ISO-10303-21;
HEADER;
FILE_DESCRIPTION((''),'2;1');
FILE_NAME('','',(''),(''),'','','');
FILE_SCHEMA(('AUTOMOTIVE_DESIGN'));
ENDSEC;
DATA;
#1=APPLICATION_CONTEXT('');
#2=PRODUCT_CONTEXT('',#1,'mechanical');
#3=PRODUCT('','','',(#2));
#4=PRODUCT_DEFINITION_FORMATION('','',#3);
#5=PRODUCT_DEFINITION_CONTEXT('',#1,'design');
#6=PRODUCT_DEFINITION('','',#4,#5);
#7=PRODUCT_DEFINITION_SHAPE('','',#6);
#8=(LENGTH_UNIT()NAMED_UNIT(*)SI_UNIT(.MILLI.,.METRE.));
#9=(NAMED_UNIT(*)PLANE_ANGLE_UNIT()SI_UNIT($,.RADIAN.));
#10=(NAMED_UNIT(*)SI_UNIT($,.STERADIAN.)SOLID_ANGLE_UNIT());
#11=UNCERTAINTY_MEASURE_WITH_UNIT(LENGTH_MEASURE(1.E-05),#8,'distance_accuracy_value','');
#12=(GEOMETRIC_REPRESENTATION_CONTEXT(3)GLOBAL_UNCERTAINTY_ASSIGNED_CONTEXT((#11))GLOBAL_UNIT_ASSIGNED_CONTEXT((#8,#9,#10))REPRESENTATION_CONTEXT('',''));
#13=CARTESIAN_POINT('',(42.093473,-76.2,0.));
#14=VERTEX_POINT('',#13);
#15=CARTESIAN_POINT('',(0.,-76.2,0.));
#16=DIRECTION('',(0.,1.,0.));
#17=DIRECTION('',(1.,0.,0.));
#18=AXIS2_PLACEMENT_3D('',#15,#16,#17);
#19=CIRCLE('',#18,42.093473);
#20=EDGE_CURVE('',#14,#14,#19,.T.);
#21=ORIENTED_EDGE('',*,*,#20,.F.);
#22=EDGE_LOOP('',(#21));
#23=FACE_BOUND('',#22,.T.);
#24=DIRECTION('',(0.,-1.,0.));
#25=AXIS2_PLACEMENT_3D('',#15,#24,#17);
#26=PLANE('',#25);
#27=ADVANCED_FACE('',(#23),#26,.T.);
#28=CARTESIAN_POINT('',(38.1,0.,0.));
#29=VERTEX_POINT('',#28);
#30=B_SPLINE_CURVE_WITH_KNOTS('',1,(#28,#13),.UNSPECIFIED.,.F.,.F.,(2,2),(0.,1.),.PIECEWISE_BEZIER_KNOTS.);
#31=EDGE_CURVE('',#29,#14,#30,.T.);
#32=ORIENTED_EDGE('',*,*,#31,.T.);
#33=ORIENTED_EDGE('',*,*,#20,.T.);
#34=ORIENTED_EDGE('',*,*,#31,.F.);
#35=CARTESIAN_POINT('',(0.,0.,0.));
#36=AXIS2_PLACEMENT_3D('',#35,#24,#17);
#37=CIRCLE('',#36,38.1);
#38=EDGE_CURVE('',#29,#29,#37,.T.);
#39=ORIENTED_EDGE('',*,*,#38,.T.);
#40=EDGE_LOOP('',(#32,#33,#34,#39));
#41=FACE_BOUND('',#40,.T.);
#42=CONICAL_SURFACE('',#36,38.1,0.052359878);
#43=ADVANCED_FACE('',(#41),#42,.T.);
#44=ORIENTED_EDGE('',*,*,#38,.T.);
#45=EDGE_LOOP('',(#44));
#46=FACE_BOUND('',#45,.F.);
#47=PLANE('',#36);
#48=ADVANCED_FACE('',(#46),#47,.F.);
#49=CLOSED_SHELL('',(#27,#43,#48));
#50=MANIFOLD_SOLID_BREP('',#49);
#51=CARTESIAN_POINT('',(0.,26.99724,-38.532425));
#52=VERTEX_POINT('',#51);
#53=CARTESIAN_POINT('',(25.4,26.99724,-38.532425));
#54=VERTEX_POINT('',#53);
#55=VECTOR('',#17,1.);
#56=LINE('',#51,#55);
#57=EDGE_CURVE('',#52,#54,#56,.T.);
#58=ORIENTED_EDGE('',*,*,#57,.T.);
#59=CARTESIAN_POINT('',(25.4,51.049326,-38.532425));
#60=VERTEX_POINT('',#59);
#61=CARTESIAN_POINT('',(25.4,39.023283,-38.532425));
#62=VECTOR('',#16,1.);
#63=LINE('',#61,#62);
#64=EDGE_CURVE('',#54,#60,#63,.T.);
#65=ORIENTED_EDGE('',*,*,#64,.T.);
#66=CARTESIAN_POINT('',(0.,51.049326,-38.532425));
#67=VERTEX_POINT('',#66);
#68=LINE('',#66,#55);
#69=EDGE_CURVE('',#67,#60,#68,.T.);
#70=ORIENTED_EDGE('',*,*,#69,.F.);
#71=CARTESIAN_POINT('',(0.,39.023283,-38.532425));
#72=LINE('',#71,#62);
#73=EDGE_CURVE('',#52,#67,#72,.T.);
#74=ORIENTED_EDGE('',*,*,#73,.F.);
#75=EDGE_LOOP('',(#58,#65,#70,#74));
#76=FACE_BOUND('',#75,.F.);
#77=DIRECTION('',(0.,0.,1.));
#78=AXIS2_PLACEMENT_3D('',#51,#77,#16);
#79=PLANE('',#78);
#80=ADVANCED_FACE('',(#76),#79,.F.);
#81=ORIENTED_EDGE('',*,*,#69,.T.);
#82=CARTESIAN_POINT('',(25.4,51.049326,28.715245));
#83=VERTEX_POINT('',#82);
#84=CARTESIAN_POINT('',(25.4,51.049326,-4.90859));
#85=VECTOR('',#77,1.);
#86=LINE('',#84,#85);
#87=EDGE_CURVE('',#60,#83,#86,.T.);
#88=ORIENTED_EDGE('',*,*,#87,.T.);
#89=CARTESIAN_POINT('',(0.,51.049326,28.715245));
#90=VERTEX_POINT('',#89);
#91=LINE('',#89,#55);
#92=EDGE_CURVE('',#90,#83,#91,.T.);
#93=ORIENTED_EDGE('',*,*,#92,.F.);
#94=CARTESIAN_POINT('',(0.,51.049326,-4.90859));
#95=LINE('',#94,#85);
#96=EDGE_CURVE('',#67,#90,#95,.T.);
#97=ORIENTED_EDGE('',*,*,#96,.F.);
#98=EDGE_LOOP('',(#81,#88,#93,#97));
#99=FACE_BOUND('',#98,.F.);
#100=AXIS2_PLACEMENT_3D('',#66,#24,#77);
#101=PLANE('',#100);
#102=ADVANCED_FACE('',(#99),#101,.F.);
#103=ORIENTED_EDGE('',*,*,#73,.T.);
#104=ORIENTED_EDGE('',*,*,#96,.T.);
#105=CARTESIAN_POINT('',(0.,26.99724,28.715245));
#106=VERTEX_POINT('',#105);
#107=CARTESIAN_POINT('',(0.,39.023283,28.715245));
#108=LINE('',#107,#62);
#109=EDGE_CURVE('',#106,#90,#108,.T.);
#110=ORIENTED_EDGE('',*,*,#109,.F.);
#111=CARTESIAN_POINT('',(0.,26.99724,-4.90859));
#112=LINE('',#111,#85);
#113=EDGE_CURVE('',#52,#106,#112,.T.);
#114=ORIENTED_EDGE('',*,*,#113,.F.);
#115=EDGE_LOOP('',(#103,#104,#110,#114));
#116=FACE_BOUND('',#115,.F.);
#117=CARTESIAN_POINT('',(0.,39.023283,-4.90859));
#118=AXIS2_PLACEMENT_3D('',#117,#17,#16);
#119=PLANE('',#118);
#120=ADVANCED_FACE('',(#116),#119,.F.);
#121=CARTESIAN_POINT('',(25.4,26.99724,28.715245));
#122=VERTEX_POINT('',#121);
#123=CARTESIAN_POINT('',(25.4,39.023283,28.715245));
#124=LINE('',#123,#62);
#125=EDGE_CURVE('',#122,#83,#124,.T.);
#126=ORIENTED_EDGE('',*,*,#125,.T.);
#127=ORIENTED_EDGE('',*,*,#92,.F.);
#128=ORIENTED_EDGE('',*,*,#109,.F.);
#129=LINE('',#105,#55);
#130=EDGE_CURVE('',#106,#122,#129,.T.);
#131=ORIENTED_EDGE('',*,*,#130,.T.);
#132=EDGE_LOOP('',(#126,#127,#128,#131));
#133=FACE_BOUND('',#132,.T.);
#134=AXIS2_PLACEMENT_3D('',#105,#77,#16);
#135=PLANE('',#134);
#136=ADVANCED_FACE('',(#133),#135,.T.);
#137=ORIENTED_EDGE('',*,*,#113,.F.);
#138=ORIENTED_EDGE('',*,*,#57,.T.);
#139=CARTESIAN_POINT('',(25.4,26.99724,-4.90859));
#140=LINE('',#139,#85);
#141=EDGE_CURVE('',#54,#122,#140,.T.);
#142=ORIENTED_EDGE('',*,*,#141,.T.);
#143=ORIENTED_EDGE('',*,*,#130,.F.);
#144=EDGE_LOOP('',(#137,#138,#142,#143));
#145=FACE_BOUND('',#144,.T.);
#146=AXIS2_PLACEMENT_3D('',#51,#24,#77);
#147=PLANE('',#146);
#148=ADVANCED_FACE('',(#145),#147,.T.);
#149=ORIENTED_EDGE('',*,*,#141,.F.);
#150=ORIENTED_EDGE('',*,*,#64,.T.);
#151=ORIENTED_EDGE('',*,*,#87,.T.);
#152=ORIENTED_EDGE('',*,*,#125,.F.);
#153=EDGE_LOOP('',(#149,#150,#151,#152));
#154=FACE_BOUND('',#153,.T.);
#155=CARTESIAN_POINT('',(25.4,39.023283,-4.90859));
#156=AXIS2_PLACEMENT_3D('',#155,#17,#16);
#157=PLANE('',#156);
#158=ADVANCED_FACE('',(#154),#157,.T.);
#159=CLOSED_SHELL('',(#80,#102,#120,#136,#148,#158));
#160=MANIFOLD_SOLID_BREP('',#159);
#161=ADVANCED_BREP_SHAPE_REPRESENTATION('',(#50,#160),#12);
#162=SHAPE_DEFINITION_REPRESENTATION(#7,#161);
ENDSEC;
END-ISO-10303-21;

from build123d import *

# Parameters (mm, degrees)
F0_R     = 38.1
F1_DEPTH = 76.2
F1_TAPER = -3
F2_W     = 24.0520853549
F2_H     = 67.2476701438
F3_DEPTH = 25.4


with BuildPart() as f1:
    # F0 (on Front) → F1 (new body)
    with BuildSketch(Plane.XZ):
        Circle(F0_R)
    extrude(amount=F1_DEPTH, taper=F1_TAPER)


with BuildPart() as f3:
    # F2 (on Right) → F3 (new body)
    with BuildSketch(Plane.YZ):
        with Locations((39.0232829377, -4.9085896462)):
            Rectangle(F2_W, F2_H)
    extrude(amount=F3_DEPTH)


solid = Compound([f1.part, f3.part])
